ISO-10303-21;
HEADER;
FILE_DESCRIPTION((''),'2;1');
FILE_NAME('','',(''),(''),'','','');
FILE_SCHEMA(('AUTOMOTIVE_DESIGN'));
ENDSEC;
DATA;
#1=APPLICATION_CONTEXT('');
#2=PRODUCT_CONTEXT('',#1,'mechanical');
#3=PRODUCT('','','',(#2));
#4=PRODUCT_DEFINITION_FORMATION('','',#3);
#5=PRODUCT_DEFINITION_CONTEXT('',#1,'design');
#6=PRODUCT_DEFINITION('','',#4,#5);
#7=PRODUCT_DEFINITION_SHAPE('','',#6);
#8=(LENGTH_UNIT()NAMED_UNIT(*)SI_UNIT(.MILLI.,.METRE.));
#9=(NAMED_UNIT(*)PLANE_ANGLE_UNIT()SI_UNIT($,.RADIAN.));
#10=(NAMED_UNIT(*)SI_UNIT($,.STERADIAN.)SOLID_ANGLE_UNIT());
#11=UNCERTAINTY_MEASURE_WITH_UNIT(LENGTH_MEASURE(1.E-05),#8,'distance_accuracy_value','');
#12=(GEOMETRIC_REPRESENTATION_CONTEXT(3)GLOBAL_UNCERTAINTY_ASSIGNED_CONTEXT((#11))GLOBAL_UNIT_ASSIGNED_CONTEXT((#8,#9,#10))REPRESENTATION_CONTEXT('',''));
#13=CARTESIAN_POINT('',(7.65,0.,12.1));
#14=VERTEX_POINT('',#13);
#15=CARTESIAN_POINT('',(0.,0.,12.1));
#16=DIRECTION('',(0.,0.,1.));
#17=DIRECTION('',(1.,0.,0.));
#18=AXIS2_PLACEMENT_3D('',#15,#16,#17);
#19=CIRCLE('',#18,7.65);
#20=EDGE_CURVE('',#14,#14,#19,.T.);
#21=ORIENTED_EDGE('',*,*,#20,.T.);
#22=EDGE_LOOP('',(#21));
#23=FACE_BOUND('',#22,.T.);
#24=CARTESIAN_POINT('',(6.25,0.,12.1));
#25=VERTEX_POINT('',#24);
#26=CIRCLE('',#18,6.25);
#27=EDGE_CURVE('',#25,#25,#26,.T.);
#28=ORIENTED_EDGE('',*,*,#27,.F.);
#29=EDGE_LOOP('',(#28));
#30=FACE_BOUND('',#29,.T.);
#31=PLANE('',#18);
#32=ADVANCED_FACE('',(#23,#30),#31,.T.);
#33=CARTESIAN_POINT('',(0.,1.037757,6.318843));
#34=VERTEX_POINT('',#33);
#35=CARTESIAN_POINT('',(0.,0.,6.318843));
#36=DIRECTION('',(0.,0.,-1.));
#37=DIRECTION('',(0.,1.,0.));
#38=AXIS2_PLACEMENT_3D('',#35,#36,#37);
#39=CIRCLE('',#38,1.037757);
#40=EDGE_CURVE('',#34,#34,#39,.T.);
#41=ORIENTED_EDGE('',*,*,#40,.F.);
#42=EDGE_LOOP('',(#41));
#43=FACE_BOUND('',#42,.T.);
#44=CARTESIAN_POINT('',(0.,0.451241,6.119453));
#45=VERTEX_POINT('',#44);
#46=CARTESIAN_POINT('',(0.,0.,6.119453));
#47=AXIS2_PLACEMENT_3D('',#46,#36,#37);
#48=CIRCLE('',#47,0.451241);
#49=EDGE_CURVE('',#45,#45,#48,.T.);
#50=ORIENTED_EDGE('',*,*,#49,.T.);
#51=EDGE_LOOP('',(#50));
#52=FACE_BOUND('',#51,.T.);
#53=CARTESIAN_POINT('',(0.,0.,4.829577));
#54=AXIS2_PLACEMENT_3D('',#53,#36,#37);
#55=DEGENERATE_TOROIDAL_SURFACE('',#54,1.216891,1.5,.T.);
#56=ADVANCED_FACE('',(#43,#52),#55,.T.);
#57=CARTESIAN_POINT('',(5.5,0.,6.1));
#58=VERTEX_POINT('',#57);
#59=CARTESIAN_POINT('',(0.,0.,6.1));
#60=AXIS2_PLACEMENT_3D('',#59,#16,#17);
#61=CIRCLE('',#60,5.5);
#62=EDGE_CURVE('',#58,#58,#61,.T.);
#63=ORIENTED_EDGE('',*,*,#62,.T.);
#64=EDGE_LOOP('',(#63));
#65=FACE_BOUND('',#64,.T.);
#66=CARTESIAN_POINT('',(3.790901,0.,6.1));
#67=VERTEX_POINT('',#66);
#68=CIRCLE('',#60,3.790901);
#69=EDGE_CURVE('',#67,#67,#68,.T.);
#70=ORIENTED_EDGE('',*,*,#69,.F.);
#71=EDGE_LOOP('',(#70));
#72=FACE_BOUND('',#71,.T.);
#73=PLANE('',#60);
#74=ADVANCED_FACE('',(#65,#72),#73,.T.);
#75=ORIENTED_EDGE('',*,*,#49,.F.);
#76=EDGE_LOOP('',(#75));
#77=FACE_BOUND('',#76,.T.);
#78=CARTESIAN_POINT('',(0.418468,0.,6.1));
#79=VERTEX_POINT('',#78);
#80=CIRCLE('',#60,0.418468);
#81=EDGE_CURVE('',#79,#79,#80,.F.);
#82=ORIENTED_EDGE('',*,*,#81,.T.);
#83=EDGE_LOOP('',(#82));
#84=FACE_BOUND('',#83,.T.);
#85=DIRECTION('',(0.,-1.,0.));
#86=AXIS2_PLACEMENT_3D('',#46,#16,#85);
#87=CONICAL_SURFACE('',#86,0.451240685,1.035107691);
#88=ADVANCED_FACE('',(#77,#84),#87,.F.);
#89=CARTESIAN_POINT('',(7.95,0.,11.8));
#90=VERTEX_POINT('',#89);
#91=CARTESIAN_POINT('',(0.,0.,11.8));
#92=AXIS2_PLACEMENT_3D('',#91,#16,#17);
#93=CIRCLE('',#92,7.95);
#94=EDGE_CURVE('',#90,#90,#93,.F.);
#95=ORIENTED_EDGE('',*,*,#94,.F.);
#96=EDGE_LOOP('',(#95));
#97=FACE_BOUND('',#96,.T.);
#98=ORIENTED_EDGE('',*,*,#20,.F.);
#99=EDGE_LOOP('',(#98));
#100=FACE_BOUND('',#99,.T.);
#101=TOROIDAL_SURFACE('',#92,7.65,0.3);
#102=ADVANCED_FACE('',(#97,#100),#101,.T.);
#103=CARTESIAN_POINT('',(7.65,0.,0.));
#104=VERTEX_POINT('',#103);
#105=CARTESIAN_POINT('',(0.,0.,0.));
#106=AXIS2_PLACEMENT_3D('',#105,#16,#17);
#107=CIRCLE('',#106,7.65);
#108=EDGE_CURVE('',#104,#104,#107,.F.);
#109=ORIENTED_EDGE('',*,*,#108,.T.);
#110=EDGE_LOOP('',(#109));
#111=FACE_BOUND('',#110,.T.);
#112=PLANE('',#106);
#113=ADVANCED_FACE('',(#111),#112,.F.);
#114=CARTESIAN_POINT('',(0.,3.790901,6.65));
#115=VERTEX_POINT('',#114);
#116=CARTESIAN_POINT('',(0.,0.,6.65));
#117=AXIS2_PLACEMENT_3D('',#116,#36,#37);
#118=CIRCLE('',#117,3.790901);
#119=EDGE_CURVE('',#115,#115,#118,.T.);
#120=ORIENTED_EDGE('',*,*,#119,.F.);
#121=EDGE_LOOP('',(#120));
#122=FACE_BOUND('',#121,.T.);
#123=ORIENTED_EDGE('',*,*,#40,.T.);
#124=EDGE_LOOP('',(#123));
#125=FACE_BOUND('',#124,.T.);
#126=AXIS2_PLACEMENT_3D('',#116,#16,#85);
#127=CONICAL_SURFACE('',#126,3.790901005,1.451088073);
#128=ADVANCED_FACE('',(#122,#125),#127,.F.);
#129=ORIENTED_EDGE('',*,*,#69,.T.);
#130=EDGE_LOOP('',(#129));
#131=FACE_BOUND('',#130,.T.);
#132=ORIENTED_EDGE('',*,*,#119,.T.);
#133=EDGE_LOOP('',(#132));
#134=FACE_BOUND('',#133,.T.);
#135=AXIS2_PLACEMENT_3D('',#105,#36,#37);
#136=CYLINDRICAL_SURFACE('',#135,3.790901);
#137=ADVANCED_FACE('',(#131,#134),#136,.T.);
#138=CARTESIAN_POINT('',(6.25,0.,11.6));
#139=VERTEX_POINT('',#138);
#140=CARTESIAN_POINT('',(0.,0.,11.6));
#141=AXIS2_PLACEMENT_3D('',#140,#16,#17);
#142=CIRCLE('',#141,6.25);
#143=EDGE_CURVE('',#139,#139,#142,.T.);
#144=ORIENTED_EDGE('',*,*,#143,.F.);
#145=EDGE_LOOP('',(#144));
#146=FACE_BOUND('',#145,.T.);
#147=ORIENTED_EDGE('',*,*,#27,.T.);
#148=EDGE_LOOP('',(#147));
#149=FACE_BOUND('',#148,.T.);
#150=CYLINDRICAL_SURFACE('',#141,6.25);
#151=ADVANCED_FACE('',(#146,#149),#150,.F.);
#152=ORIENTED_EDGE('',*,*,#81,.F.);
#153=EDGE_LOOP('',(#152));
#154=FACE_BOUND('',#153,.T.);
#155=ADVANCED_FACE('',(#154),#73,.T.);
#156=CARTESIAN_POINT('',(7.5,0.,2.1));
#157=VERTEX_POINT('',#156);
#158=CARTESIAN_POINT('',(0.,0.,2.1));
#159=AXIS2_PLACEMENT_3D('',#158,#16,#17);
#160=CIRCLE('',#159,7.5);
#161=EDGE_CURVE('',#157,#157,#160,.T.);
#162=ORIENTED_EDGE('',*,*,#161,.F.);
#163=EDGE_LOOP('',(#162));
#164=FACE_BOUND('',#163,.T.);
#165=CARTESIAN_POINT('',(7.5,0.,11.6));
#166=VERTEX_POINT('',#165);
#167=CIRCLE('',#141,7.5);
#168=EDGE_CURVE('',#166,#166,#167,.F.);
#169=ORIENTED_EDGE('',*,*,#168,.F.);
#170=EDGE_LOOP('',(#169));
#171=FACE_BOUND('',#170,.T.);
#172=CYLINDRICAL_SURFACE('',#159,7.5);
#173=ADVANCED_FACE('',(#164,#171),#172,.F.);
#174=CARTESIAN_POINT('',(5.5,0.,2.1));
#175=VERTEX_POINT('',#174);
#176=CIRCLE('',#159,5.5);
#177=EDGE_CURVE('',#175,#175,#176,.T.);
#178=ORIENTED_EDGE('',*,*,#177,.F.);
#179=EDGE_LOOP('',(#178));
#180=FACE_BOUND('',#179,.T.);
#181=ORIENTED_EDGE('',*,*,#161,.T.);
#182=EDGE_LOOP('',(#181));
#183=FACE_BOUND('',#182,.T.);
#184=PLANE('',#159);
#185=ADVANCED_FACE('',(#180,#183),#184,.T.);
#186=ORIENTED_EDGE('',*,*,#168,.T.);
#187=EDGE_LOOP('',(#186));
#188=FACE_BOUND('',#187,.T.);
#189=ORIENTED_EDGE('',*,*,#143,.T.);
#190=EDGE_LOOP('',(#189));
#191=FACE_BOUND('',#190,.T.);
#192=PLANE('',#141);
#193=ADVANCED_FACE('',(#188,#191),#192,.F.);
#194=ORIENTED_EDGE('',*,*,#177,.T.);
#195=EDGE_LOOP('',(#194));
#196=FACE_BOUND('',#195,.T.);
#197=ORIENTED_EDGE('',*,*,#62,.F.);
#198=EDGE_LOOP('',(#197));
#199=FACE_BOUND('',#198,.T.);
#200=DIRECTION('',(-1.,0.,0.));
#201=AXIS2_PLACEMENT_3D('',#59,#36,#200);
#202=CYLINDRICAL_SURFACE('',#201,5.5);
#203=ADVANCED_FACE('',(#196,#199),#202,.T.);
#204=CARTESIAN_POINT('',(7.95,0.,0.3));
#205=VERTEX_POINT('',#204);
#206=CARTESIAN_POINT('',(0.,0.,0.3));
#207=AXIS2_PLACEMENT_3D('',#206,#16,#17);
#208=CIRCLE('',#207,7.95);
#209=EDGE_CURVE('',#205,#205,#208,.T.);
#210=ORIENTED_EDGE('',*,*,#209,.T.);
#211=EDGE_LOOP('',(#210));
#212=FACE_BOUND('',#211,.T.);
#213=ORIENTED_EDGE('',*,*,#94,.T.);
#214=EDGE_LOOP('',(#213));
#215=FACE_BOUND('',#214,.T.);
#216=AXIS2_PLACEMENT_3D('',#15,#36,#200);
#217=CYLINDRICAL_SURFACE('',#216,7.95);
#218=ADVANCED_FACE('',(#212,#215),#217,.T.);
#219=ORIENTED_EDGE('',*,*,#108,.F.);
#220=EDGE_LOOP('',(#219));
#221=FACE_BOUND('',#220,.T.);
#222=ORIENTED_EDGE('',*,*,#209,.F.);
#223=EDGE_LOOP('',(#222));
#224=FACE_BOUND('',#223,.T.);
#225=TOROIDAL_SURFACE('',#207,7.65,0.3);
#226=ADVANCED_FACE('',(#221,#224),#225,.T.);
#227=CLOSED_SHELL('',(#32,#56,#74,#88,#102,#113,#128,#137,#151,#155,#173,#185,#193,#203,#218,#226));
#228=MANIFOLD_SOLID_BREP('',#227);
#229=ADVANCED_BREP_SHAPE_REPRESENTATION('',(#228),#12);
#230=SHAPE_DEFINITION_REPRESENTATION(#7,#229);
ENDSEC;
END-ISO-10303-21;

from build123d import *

# Parameters (mm, degrees)
SKETCH1_R           = 7.95
BOSS_EXTRUDE1_DEPTH = 12.1
FILLET1_R           = 0.3
SKETCH3_R           = 7.5
CUT_EXTRUDE2_DEPTH  = 10
SKETCH2_R           = 7.65
SKETCH2_R_2         = 6.25
BOSS_EXTRUDE2_DEPTH = 0.5
SKETCH4_R           = 5.5
BOSS_EXTRUDE3_DEPTH = 4


with BuildPart() as part:
    # Sketch1 → Boss-Extrude1 (new body)
    with BuildSketch(Plane.XY):
        Circle(SKETCH1_R)
    extrude(amount=BOSS_EXTRUDE1_DEPTH)

    # Fillet1
    fillet1_edges = [part.edges().sort_by_distance(p)[0] for p in [
        (-7.95, 0, 0),
        (-7.95, 0, 12.1),
    ]]
    fillet(fillet1_edges, radius=FILLET1_R)

    # Sketch3 → Cut-Extrude2 (cut)
    with BuildSketch(Plane.XY.offset(12.1)):
        Circle(SKETCH3_R)
    extrude(amount=-CUT_EXTRUDE2_DEPTH, mode=Mode.SUBTRACT)

    # Sketch2 → Boss-Extrude2 (add)
    with BuildSketch(Plane.XY.offset(12.1)):
        Circle(SKETCH2_R)
        Circle(SKETCH2_R_2, mode=Mode.SUBTRACT)
    extrude(amount=-BOSS_EXTRUDE2_DEPTH)

    # Sketch4 → Boss-Extrude3 (add)
    with BuildSketch(Plane.XY.offset(2.1)):
        Circle(SKETCH4_R)
    extrude(amount=BOSS_EXTRUDE3_DEPTH)

    # Sketch6 → Revolve2 (revolve)
    with BuildSketch(Plane(origin=(0, 0, 0), x_dir=(0, 0, -1), z_dir=(1, 0, 0))):
        with BuildLine():
            Line((-5.5, 3.790901005), (-5.5, 0))
            Line((-5.5, 0), (-6, 0))
            Line((-6, 0), (-6, 0.25))
            Line((-6, 0.25), (-6.119453289, 0.451240685))
            ThreePointArc((-6.119453289, 0.451240685), (-6.249755753, 0.734093475), (-6.318842572, 1.03775685))
            Line((-6.318842572, 1.03775685), (-6.65, 3.790901005))
            Line((-6.65, 3.790901005), (-5.5, 3.790901005))
        make_face()
    revolve(axis=Axis((0, 0, 0), (0, 0, 1)))


solid = part.part
